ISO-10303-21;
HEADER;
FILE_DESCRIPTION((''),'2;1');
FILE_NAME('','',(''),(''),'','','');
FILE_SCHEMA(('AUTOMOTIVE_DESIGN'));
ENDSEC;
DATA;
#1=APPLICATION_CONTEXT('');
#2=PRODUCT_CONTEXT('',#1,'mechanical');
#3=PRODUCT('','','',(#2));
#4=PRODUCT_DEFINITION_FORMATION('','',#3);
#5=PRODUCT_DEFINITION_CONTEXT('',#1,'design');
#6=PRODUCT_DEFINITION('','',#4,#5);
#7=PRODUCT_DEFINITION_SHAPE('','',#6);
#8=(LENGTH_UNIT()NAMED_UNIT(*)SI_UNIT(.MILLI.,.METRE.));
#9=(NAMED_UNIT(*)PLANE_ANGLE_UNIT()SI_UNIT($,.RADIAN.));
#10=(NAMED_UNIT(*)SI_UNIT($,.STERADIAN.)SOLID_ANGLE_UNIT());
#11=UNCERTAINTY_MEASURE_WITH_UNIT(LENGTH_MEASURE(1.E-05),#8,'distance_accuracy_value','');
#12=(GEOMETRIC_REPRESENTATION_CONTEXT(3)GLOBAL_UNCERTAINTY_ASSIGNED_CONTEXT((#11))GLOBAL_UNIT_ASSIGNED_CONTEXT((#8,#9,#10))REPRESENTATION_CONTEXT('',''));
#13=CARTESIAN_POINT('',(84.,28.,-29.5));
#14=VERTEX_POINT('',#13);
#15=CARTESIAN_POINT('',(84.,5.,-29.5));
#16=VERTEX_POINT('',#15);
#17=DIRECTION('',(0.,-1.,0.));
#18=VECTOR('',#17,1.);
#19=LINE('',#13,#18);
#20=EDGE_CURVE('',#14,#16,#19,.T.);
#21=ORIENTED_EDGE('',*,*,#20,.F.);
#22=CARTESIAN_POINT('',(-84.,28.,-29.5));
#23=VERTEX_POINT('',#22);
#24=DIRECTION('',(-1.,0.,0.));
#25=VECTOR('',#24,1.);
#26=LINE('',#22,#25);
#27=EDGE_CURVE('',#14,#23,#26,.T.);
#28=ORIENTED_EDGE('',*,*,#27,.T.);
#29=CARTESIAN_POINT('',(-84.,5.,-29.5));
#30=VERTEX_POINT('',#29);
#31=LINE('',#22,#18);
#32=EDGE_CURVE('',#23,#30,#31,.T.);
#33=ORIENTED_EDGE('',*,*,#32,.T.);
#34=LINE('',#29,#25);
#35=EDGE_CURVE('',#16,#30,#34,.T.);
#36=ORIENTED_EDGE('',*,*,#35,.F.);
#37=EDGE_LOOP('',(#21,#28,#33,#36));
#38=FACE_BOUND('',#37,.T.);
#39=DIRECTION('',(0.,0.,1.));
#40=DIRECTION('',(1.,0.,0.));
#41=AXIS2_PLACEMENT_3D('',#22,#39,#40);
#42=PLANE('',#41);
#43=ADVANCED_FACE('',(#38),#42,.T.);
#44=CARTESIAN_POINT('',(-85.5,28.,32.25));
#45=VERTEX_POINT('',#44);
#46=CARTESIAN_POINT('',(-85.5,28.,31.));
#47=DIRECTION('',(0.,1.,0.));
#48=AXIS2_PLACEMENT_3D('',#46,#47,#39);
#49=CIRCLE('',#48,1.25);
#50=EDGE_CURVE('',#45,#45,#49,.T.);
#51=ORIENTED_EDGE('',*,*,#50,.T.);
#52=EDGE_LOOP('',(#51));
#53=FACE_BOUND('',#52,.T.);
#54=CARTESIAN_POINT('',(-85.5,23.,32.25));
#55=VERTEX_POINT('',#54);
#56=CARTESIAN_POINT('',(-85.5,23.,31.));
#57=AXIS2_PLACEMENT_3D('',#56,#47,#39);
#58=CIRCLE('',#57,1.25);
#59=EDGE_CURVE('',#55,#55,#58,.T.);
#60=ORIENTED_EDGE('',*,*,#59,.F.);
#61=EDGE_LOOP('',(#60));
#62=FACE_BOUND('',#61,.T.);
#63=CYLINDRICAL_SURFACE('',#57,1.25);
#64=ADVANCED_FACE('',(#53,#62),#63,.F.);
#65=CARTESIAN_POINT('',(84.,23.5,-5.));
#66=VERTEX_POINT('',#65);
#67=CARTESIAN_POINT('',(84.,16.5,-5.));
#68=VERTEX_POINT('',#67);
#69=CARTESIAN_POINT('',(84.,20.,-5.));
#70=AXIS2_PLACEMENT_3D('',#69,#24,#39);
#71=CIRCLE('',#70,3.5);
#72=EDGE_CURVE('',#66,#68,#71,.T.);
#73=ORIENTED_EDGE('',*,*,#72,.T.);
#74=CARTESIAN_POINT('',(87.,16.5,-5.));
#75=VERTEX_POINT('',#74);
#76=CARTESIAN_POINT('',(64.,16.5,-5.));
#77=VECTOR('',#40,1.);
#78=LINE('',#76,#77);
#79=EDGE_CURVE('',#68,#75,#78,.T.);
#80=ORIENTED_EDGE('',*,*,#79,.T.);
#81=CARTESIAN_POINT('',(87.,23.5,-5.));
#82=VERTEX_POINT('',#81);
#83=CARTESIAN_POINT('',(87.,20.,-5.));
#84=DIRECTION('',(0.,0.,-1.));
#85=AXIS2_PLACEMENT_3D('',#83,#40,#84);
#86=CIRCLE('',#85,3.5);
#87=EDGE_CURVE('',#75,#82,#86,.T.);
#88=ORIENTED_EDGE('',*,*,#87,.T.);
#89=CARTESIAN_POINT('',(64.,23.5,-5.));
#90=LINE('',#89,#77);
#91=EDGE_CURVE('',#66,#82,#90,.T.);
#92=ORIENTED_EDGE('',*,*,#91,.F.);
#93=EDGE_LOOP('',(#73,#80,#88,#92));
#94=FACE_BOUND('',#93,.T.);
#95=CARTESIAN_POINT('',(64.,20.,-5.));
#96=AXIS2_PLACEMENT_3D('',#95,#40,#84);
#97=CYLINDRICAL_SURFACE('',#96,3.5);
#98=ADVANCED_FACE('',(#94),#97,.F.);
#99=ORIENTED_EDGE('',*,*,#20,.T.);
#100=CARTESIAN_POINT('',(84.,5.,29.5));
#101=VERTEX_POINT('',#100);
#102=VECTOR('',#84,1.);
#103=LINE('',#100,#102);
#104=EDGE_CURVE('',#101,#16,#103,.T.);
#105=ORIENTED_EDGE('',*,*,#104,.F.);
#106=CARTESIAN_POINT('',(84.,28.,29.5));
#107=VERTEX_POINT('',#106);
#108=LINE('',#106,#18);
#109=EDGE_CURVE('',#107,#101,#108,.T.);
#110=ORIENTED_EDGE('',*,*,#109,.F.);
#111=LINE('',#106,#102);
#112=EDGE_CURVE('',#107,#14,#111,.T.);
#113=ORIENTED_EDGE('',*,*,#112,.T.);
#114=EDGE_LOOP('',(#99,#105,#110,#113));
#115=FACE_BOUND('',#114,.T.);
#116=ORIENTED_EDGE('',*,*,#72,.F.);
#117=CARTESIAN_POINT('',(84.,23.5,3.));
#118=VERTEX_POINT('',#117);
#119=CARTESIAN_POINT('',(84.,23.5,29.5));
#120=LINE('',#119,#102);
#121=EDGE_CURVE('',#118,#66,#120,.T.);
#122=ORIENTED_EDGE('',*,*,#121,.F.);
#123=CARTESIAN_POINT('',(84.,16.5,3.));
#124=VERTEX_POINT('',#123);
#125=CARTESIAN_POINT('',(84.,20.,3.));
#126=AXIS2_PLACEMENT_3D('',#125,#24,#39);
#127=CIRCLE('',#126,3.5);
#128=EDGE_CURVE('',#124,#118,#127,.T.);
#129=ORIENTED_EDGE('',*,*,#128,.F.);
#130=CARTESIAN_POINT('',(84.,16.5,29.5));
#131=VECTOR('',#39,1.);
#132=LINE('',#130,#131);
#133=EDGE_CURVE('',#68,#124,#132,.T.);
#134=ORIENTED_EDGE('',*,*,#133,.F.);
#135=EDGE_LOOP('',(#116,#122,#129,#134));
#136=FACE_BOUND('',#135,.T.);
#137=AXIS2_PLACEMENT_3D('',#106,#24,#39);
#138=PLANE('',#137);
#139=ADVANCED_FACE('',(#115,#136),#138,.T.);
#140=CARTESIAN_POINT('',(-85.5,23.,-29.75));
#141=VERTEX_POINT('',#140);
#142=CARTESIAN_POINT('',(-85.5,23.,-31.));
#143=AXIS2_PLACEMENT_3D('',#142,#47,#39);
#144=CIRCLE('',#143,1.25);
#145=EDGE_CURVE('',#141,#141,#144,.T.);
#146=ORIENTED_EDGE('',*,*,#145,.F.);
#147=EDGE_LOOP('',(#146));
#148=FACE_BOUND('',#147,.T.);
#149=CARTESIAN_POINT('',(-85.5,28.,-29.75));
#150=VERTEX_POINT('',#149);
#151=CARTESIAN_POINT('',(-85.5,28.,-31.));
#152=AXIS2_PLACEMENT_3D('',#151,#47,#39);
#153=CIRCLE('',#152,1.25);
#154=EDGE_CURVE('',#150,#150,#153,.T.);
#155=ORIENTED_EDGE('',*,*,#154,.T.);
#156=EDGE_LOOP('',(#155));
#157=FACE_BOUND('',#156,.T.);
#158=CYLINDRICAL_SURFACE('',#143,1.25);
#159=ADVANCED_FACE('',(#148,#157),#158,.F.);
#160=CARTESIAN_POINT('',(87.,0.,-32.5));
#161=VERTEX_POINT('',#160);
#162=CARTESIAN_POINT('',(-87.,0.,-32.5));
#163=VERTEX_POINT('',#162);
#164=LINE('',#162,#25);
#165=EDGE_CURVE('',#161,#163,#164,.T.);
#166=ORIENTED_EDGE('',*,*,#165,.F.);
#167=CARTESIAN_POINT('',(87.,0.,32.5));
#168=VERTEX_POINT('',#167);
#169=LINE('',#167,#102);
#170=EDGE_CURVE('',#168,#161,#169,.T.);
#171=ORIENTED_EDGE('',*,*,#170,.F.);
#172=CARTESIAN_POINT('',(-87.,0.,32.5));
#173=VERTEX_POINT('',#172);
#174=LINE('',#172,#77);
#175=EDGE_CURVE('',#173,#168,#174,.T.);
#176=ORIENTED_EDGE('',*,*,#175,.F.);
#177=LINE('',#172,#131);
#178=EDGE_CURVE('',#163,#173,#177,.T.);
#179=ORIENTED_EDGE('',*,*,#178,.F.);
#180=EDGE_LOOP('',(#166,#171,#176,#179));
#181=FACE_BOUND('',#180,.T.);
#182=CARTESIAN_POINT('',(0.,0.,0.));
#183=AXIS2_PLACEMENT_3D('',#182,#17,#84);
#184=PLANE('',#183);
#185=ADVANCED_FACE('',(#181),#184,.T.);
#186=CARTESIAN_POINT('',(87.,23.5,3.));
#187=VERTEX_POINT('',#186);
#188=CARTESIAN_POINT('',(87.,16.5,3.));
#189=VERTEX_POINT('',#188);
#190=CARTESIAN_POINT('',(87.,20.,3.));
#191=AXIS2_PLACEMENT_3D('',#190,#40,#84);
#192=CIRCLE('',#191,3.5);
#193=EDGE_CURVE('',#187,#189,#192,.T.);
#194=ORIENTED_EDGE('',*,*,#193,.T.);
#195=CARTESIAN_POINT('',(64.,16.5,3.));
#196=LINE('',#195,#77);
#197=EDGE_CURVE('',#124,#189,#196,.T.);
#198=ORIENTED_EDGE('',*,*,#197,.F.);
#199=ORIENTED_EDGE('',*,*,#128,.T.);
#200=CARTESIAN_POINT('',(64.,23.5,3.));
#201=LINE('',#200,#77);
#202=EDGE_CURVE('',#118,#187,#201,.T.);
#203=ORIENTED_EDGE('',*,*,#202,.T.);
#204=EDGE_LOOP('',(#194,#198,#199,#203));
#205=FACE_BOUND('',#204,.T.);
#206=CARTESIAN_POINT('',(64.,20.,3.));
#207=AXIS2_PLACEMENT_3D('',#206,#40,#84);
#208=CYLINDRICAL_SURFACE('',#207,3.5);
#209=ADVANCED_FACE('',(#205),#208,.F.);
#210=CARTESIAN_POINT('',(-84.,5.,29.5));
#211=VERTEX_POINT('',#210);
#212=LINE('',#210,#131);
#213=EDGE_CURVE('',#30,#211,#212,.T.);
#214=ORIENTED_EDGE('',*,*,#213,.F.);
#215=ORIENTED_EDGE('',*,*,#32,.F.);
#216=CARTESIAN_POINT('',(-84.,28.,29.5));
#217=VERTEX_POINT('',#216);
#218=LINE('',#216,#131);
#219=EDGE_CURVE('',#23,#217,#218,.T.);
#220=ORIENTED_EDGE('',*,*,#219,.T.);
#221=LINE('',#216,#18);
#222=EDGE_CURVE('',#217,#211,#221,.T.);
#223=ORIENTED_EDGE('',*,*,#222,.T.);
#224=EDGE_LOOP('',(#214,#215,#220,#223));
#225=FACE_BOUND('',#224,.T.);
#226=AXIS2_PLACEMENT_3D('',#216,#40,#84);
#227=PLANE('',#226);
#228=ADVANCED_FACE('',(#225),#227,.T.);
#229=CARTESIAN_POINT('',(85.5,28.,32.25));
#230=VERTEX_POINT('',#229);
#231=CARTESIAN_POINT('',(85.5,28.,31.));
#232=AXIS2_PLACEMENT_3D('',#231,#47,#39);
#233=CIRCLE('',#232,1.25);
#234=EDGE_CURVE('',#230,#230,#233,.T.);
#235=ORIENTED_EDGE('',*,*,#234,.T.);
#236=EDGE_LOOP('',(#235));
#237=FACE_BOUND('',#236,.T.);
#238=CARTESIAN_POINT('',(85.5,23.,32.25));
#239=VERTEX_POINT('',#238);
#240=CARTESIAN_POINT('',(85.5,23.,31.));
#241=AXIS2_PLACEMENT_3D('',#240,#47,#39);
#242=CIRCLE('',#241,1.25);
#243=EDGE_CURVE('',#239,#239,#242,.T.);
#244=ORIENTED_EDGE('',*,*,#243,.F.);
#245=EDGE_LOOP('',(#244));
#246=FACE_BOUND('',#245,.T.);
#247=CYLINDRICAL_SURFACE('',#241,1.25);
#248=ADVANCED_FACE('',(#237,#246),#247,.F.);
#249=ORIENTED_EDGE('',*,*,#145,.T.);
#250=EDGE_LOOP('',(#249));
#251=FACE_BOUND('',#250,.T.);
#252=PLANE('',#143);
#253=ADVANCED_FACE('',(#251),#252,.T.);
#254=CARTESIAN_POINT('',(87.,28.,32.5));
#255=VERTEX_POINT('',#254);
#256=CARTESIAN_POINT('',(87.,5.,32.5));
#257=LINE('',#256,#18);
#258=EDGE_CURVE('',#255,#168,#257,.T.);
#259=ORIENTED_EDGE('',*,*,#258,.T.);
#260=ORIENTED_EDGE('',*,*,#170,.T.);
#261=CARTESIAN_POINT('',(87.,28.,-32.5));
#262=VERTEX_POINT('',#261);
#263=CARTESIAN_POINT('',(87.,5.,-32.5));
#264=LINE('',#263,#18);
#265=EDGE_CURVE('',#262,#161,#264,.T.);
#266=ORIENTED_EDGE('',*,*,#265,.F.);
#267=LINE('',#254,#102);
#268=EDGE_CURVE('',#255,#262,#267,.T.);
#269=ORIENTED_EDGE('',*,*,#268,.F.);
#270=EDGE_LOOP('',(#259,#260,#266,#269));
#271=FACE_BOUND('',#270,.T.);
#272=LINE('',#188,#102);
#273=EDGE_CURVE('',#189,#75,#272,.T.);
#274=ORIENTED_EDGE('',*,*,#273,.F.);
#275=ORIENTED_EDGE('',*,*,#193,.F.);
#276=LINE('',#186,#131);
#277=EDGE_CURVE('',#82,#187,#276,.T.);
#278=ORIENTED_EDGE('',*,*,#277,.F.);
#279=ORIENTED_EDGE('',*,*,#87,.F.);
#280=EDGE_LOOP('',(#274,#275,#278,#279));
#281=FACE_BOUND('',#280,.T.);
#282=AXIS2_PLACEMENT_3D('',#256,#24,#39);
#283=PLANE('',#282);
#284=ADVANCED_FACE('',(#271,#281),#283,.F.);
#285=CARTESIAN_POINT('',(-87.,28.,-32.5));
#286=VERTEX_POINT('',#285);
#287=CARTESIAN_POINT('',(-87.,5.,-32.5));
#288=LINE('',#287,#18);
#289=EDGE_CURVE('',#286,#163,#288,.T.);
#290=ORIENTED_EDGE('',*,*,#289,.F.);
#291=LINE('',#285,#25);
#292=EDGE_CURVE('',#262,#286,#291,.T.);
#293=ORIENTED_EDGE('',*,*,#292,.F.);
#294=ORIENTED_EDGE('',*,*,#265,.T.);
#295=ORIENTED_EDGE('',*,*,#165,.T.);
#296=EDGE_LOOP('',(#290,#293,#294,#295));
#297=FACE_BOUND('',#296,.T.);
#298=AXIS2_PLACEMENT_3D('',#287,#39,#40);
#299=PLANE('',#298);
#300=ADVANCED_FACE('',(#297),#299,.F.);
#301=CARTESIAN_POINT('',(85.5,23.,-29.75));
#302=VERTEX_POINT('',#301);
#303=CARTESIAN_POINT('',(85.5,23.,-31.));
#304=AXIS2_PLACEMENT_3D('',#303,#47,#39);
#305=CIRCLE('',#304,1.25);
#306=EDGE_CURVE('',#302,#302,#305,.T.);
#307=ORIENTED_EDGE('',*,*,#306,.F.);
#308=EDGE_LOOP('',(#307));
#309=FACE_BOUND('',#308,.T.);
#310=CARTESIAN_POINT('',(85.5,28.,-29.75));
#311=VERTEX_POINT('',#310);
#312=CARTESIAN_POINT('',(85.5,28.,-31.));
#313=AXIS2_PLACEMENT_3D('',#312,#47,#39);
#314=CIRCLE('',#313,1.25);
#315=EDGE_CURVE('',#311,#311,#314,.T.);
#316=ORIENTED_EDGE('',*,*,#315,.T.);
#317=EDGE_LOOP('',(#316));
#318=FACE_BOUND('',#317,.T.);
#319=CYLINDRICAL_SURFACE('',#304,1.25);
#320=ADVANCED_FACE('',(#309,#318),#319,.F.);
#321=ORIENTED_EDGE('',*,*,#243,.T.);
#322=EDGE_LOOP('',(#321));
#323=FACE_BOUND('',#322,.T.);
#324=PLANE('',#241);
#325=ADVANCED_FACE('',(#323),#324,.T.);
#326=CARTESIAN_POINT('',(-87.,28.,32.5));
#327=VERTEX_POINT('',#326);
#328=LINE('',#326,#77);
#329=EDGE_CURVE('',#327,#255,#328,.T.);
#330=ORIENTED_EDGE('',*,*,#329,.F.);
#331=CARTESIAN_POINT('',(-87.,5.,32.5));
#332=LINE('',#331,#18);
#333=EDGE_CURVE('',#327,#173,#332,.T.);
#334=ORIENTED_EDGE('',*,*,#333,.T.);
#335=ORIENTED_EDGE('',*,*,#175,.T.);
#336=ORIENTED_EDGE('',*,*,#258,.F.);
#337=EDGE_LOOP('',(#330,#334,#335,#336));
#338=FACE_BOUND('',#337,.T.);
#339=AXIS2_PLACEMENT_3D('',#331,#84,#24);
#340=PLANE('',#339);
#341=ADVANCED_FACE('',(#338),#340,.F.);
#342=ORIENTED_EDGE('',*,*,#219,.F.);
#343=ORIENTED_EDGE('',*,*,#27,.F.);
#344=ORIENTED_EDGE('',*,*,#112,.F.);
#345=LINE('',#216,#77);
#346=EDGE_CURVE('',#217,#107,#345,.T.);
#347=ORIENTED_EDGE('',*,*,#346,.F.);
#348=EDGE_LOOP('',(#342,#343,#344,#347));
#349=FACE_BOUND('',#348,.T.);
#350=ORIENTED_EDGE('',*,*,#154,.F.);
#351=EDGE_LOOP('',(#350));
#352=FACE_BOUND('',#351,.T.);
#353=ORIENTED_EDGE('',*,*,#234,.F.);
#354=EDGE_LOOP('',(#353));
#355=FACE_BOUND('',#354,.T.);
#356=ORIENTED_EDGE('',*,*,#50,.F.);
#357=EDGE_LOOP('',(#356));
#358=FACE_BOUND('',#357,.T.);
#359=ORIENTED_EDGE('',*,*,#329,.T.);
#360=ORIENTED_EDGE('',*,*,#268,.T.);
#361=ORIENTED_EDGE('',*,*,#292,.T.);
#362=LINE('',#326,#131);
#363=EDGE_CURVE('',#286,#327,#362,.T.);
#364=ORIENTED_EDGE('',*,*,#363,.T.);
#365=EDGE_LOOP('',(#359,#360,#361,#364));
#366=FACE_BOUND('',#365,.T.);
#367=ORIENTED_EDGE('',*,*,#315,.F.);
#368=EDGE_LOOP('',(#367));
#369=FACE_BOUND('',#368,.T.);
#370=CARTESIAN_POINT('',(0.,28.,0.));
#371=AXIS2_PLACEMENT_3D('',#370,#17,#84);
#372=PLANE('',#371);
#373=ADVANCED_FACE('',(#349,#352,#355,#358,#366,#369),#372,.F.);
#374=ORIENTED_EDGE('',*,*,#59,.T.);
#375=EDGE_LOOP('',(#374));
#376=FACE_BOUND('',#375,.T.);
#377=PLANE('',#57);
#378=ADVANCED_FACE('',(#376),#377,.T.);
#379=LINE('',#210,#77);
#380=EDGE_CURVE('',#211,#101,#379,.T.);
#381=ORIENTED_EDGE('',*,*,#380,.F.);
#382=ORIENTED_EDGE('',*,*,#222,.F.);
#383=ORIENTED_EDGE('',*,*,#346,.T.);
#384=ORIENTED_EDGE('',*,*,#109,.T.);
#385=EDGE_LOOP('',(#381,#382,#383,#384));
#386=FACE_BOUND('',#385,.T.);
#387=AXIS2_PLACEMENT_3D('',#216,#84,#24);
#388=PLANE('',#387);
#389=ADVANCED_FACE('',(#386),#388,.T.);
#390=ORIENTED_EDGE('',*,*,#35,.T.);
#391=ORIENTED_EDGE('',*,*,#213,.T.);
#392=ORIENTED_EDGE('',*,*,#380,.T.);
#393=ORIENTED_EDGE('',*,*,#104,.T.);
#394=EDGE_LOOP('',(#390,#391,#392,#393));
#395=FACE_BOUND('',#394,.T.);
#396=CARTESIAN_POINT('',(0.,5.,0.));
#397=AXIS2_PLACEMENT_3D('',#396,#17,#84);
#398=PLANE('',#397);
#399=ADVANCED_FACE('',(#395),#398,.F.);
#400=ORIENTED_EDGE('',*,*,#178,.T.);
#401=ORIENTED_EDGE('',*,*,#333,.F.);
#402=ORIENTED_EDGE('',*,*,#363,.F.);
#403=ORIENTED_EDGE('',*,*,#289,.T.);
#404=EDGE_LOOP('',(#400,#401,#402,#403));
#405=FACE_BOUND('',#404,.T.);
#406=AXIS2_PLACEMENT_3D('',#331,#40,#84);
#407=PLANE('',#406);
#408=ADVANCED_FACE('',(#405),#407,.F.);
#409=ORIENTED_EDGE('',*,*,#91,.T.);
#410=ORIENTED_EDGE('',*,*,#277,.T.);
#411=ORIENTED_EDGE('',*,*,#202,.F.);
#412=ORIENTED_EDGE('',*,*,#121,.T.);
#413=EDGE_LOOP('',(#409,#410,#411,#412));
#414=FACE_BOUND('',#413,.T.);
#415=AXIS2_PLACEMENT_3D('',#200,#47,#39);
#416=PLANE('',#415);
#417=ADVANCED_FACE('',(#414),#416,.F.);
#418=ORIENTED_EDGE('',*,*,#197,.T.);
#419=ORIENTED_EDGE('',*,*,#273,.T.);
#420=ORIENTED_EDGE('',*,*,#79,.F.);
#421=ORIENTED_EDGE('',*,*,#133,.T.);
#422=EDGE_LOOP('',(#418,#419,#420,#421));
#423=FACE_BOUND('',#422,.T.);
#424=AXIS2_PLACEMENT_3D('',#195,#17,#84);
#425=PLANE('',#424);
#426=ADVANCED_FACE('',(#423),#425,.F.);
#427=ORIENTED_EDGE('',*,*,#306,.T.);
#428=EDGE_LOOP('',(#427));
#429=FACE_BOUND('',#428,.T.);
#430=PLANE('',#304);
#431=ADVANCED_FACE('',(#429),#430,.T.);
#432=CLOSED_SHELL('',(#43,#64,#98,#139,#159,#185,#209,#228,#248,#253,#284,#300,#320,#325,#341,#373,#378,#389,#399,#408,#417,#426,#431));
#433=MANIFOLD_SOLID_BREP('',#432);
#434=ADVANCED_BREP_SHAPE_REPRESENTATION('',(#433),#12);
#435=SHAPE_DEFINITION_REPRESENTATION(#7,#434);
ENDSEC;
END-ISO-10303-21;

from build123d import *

# Parameters (mm, degrees)
SKETCH1_W           = 174
SKETCH1_H           = 65
BOSS_EXTRUDE1_DEPTH = 5
SKETCH2_W           = 174
SKETCH2_H           = 65
SKETCH2_W_2         = 168
SKETCH2_H_2         = 59
BOSS_EXTRUDE2_DEPTH = 23
CUT_EXTRUDE1_DEPTH  = 23
SKETCH4_R           = 1.25
CUT_EXTRUDE2_DEPTH  = 5


with BuildPart() as part:
    # Sketch1 → Boss-Extrude1 (new body)
    with BuildSketch(Plane(origin=(0, 0, 0), x_dir=(1, 0, 0), z_dir=(0, 1, 0))):
        Rectangle(SKETCH1_W, SKETCH1_H)
    extrude(amount=BOSS_EXTRUDE1_DEPTH)

    # Sketch2 → Boss-Extrude2 (add)
    with BuildSketch(Plane(origin=(0, 5, 0), x_dir=(1, 0, 0), z_dir=(0, 1, 0))):
        Rectangle(SKETCH2_W, SKETCH2_H)
        Rectangle(SKETCH2_W_2, SKETCH2_H_2, mode=Mode.SUBTRACT)
    extrude(amount=BOSS_EXTRUDE2_DEPTH)

    # Sketch3 → Cut-Extrude1 (cut)
    with BuildSketch(Plane(origin=(87, 0, 0), x_dir=(0, 0, -1), z_dir=(1, 0, 0))):
        with BuildLine():
            Line((-3, 23.5), (5, 23.5))
            ThreePointArc((5, 23.5), (8.5, 20), (5, 16.5))
            Line((5, 16.5), (-3, 16.5))
            ThreePointArc((-3, 16.5), (-6.5, 20), (-3, 23.5))
        make_face()
    extrude(amount=-CUT_EXTRUDE1_DEPTH, mode=Mode.SUBTRACT)

    # Sketch4 → Cut-Extrude2 (cut)
    with BuildSketch(Plane(origin=(0, 28, 0), x_dir=(1, 0, 0), z_dir=(0, 1, 0))):
        with Locations(Location((-85.5, 31, 0), (0, 0, 270))):
            Circle(SKETCH4_R)
        with Locations(Location((85.5, 31, 0), (0, 0, 270))):
            Circle(SKETCH4_R)
        with Locations(Location((85.5, -31, 0), (0, 0, 270))):
            Circle(SKETCH4_R)
        with Locations(Location((-85.5, -31, 0), (0, 0, 270))):
            Circle(SKETCH4_R)
    extrude(amount=-CUT_EXTRUDE2_DEPTH, mode=Mode.SUBTRACT)


solid = part.part
